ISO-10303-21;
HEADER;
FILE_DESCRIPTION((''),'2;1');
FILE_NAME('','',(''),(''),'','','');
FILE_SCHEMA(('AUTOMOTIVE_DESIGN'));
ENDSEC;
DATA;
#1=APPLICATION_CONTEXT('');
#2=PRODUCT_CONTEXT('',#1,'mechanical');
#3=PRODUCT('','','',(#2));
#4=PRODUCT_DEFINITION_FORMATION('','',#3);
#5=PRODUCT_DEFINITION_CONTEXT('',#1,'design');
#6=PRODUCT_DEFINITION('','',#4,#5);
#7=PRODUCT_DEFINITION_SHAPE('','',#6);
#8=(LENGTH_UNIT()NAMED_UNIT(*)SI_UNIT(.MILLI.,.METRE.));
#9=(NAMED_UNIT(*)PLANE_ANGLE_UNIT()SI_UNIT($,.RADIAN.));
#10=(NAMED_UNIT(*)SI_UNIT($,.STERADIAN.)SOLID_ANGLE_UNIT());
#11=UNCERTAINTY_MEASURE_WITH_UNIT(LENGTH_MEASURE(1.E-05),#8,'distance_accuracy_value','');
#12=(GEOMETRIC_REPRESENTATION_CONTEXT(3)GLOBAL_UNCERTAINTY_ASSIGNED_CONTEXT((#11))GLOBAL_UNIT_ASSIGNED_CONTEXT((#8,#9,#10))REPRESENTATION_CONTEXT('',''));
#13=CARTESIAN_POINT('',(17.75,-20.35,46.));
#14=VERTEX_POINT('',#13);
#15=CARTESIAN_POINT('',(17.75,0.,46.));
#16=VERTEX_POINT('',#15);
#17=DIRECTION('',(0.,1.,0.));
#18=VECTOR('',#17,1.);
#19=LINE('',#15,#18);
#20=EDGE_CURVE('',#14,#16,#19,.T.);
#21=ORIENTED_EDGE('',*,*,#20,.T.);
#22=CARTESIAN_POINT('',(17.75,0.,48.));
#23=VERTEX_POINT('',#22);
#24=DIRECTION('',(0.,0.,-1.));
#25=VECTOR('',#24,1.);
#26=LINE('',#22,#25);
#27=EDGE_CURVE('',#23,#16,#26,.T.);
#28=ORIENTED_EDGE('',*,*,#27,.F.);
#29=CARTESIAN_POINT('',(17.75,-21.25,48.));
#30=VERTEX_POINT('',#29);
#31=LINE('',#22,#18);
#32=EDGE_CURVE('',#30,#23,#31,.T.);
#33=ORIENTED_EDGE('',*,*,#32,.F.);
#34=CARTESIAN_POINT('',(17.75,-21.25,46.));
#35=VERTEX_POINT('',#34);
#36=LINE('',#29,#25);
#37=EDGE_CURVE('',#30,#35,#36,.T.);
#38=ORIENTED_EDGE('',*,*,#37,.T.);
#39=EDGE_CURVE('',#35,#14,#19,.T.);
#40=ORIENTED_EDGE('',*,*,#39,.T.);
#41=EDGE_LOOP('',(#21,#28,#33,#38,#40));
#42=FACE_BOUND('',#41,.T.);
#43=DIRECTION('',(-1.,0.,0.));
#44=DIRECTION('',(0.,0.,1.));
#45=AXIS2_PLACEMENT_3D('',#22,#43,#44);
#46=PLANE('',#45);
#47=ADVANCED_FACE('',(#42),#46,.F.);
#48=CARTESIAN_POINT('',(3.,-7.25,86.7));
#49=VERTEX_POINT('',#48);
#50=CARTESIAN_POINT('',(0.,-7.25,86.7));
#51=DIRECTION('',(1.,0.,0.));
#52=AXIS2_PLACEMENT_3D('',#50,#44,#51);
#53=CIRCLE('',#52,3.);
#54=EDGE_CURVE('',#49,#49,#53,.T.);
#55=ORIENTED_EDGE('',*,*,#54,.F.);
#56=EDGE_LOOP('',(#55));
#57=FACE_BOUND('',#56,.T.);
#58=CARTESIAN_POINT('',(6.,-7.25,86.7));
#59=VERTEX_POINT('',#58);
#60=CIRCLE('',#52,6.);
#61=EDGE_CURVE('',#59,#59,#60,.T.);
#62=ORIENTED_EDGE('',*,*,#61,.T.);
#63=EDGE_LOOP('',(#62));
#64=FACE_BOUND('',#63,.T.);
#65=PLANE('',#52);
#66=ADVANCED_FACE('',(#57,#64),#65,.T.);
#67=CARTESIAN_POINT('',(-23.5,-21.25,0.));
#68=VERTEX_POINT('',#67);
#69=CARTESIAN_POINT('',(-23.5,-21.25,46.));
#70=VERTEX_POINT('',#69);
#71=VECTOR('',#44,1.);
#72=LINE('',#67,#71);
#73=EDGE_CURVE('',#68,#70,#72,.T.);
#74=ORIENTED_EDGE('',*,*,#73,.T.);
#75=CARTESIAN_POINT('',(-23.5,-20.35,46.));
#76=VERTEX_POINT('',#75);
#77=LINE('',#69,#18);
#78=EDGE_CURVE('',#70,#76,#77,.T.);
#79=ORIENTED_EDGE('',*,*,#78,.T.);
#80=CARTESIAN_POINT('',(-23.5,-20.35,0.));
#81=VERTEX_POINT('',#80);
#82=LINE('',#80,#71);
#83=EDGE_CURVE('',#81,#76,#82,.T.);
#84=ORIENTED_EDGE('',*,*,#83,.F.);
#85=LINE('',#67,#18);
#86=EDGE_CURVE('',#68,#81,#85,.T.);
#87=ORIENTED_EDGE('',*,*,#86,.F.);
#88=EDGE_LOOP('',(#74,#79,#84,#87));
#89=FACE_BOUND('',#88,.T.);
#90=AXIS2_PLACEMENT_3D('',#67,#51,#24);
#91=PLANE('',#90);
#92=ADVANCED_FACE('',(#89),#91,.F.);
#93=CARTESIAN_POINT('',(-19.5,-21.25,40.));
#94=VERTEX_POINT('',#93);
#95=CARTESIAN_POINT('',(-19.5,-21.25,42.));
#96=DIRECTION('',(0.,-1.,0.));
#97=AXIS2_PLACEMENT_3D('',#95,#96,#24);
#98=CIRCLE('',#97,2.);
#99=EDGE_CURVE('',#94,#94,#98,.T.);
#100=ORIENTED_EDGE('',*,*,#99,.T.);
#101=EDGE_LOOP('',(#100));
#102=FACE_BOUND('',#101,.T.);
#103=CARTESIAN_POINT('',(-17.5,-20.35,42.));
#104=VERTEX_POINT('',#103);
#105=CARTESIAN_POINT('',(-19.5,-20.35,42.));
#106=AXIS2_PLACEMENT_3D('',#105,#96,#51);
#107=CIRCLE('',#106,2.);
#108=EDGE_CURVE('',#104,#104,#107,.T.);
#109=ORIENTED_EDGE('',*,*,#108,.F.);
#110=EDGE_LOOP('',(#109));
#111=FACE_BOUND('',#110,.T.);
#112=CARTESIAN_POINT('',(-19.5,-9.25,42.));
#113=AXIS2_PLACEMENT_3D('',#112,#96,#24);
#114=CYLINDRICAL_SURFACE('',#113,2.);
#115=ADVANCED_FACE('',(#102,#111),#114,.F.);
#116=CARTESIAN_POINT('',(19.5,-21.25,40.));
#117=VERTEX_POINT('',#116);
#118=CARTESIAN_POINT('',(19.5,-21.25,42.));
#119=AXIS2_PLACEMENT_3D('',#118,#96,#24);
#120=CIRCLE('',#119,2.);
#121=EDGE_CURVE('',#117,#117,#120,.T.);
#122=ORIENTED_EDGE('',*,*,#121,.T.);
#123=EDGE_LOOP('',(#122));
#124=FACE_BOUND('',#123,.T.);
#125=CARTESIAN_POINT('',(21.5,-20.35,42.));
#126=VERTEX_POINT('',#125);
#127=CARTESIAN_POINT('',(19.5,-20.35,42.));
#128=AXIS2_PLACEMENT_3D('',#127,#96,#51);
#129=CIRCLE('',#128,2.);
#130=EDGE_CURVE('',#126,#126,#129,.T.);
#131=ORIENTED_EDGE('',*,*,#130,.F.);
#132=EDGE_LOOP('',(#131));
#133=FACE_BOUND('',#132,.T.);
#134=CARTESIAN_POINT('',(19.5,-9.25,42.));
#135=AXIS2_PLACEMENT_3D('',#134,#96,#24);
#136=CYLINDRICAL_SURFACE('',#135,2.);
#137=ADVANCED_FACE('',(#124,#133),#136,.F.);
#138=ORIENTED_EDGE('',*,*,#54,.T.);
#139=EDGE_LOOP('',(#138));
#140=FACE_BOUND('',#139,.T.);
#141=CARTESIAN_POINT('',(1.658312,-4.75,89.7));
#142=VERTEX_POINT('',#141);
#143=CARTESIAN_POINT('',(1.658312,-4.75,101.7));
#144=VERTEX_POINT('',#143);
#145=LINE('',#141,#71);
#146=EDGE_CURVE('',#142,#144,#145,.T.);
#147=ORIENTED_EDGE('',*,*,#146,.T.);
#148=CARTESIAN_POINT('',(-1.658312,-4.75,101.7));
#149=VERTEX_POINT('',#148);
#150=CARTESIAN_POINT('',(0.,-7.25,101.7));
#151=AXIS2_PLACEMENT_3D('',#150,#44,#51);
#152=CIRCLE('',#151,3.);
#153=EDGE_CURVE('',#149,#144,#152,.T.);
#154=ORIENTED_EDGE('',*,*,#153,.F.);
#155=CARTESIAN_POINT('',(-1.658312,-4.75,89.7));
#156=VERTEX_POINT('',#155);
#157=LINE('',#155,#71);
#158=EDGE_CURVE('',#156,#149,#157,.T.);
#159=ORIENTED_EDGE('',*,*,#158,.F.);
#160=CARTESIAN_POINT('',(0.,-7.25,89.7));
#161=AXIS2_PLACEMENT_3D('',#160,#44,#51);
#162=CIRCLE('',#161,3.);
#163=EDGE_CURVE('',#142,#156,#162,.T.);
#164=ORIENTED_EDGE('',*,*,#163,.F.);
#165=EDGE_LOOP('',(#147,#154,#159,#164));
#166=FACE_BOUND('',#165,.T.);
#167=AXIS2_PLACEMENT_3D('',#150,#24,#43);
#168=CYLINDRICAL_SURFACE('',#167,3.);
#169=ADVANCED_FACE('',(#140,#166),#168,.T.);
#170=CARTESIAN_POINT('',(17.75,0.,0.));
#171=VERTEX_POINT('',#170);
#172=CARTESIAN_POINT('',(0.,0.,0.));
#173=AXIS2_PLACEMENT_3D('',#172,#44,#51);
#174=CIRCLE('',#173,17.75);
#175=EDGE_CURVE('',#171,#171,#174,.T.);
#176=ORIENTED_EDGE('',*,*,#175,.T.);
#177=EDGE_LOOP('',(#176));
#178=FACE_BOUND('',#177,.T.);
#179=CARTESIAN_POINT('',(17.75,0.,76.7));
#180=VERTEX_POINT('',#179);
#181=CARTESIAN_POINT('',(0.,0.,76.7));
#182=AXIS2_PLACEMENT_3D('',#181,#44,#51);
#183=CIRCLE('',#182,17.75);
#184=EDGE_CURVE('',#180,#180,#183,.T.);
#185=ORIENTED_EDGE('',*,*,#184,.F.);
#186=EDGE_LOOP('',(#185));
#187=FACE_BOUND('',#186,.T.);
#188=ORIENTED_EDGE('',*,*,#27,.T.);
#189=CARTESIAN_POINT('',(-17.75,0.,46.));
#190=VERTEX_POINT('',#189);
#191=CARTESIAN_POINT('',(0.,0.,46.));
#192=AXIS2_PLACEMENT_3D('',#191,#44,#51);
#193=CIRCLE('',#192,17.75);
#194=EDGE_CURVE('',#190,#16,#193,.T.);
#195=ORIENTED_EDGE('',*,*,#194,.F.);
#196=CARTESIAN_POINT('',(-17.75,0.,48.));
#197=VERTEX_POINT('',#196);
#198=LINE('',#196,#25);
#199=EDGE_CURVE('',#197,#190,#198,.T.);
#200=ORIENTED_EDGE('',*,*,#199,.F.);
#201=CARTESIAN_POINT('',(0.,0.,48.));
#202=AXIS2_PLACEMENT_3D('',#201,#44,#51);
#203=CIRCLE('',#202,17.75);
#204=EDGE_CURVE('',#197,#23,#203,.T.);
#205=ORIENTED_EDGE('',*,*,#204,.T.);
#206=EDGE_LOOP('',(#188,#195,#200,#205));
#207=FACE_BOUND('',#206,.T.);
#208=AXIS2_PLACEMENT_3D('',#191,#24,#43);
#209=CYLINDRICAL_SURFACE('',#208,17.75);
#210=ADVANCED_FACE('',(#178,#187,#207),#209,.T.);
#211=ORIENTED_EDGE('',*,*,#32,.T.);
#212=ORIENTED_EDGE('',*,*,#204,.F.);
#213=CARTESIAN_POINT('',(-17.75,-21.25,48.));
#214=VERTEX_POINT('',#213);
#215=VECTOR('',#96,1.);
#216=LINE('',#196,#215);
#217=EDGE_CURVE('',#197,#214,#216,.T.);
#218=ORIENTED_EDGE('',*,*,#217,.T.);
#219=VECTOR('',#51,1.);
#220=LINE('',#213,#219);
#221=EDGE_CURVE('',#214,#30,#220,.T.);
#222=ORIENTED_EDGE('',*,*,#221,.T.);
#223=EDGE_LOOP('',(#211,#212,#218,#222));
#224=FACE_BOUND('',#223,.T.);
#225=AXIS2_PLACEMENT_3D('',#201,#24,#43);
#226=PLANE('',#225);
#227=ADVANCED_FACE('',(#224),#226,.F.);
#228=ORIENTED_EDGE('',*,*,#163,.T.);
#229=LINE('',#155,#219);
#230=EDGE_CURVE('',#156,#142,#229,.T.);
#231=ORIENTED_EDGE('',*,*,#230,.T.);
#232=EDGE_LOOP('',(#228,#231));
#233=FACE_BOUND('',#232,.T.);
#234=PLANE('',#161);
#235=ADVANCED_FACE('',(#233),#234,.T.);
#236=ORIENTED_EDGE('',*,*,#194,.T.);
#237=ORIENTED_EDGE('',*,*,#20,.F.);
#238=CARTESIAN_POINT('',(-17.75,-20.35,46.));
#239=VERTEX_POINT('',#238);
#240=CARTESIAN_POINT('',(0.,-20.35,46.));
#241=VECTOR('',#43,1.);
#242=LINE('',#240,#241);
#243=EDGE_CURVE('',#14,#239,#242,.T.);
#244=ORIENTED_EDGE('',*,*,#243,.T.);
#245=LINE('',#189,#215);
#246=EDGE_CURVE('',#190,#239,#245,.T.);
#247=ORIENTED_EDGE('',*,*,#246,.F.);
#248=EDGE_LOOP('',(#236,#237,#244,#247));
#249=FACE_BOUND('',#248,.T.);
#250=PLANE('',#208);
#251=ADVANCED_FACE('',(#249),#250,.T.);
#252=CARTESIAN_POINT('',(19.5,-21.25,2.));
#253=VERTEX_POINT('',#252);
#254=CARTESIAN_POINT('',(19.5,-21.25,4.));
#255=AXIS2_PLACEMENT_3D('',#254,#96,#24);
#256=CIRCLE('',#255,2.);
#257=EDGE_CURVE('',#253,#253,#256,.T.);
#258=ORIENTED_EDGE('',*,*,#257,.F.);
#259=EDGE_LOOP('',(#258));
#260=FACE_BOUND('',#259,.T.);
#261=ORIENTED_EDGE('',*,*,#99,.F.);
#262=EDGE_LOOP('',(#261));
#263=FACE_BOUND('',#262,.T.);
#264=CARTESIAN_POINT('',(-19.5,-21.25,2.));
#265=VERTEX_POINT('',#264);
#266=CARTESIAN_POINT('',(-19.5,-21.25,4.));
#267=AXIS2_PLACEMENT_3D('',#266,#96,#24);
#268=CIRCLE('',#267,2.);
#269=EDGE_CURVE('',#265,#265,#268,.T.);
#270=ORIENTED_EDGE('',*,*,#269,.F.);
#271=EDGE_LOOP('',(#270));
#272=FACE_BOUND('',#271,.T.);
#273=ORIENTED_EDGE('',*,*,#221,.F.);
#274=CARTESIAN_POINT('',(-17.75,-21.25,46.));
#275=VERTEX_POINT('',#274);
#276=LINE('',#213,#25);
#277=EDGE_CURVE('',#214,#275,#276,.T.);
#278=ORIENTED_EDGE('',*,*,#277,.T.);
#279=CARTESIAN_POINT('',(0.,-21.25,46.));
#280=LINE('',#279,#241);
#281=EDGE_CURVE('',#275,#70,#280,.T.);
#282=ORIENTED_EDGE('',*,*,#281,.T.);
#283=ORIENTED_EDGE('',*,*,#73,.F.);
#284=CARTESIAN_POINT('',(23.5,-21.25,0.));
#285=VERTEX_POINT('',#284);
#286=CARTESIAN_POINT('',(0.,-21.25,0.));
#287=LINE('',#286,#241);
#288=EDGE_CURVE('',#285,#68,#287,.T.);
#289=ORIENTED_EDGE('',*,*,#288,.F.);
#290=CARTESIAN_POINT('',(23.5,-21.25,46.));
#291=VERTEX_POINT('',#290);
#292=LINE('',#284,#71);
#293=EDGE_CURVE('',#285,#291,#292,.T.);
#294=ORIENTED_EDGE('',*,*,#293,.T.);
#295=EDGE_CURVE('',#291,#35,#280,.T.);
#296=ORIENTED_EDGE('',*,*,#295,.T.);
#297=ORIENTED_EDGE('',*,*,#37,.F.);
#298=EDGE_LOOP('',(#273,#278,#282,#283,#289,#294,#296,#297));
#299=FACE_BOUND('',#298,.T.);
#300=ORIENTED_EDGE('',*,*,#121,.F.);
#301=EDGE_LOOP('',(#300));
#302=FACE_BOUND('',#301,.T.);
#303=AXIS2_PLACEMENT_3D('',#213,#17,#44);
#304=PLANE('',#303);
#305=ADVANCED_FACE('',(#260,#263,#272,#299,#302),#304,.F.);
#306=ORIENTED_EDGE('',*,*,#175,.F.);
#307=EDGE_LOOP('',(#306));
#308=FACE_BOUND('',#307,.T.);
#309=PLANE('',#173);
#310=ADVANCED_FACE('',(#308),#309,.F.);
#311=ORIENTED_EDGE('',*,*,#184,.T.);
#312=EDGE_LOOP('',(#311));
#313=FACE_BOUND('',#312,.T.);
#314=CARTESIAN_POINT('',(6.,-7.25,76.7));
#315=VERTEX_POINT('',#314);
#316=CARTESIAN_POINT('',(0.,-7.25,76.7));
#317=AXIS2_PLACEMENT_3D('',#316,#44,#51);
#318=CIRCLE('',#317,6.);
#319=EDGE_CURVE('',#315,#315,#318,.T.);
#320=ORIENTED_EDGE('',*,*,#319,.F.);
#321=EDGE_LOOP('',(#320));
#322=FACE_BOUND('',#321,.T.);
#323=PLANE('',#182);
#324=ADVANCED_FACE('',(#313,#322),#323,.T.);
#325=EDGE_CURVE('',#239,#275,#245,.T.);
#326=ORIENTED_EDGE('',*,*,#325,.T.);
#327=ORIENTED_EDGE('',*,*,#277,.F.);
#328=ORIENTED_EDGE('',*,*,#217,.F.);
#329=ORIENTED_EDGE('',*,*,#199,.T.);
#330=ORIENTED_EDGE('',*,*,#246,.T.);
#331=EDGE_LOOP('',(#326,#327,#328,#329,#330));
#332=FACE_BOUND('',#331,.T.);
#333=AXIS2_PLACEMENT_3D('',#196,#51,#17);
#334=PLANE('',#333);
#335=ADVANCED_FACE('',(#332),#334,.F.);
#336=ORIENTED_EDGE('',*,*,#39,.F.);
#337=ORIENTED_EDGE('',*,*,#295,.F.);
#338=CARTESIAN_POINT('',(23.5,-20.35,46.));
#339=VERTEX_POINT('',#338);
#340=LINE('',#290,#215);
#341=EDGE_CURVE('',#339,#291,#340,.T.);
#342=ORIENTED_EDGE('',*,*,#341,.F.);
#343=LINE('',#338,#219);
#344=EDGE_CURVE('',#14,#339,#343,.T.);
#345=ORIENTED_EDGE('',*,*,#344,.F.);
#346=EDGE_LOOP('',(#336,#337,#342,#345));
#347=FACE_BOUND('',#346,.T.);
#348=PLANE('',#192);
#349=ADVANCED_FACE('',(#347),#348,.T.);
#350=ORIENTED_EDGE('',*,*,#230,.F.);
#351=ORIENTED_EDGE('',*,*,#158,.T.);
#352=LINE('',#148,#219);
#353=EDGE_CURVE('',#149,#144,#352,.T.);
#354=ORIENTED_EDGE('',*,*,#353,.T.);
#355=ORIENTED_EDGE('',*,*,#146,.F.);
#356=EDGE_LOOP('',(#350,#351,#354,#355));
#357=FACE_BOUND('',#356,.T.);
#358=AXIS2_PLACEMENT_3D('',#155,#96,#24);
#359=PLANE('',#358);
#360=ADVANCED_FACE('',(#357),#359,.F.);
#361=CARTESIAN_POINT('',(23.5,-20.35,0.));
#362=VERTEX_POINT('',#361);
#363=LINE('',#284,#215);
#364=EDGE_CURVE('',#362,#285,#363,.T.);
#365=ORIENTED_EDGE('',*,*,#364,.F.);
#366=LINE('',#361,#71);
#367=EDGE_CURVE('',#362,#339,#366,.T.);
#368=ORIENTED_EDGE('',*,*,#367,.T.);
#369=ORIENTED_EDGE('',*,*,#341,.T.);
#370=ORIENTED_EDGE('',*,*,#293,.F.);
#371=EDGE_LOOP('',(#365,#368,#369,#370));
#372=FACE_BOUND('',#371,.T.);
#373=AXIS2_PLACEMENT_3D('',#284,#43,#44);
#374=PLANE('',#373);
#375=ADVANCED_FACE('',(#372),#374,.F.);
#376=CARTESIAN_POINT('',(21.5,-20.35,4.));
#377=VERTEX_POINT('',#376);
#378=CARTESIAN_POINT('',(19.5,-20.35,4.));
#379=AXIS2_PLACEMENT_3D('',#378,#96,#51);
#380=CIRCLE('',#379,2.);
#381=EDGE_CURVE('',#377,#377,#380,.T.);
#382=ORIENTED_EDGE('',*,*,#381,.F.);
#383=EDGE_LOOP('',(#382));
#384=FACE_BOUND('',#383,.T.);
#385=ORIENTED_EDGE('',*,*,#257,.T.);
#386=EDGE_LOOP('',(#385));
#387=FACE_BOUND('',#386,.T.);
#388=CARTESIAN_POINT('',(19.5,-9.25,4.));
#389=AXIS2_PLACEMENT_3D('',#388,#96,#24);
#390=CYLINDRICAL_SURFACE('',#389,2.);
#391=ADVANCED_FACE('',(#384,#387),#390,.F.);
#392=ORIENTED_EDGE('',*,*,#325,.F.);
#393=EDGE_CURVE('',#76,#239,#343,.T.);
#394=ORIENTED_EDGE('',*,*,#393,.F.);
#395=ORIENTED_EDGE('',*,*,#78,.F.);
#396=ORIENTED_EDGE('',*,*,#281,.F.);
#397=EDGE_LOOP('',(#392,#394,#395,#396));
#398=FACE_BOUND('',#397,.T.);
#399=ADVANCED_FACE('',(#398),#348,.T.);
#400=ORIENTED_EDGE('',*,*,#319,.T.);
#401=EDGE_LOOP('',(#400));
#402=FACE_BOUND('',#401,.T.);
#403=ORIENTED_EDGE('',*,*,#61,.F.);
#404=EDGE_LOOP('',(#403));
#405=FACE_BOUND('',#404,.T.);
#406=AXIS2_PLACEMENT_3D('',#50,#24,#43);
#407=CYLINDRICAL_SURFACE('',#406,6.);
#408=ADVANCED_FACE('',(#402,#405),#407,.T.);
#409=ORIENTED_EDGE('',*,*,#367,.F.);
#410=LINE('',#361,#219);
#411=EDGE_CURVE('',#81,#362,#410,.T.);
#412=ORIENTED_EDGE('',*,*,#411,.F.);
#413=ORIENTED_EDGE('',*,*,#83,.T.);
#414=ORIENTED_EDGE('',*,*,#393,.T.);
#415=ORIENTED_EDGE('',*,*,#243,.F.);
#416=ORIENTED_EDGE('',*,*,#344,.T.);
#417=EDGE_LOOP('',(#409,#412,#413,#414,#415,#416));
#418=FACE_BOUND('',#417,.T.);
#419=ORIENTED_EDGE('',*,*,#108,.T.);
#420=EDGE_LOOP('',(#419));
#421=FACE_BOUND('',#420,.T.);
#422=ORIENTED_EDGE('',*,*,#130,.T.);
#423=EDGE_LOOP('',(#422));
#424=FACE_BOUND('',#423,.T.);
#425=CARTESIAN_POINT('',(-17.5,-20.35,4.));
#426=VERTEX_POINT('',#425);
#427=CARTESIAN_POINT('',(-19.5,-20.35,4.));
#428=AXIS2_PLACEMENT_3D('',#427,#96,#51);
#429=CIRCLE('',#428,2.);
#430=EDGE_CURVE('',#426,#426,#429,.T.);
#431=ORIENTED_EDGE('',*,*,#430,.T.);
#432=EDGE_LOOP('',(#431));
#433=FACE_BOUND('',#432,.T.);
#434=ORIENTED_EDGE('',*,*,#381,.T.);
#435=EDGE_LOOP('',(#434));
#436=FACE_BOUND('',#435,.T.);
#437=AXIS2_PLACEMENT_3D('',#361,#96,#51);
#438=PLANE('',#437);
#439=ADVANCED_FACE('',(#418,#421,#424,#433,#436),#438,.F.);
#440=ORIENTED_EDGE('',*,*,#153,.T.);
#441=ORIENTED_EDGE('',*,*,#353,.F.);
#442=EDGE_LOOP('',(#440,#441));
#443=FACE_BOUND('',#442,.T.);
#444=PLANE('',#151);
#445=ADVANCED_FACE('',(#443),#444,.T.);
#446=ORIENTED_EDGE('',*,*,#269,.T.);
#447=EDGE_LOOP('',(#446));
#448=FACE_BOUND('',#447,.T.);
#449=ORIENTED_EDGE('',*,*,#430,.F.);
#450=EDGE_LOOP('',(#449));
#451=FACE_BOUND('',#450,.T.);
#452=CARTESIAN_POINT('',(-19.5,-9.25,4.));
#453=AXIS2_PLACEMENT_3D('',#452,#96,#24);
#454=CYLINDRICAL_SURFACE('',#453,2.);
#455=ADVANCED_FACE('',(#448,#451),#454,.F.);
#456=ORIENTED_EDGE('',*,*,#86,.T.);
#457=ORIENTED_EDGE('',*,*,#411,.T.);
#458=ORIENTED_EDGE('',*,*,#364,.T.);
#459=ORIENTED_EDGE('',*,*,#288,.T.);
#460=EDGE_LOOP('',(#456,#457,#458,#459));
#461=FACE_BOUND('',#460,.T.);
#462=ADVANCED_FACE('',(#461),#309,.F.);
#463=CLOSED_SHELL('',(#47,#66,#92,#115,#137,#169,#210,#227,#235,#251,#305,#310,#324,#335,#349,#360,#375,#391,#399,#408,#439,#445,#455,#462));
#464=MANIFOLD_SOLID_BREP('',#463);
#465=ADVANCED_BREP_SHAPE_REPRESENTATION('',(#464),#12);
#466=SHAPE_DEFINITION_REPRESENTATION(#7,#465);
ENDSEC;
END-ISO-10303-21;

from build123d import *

# Parameters (mm, degrees)
SKETCH1_R           = 17.75
BOSS_EXTRUDE1_DEPTH = 46
BOSS_EXTRUDE2_DEPTH = 2
BOSS_EXTRUDE3_DEPTH = 46
SKETCH4_R           = 17.75
BOSS_EXTRUDE4_DEPTH = 28.7
SKETCH5_R           = 6
BOSS_EXTRUDE5_DEPTH = 10
SKETCH6_R           = 3
BOSS_EXTRUDE6_DEPTH = 15
CUT_EXTRUDE1_START  = -12
CUT_EXTRUDE1_DEPTH  = 12
SKETCH8_R           = 2
CUT_EXTRUDE7_DEPTH  = 12


with BuildPart() as part:
    # Sketch1 → Boss-Extrude1 (new body)
    with BuildSketch(Plane.XY):
        Circle(SKETCH1_R)
    extrude(amount=BOSS_EXTRUDE1_DEPTH)

    # Sketch2 → Boss-Extrude2 (add)
    with BuildSketch(Plane.XY.offset(46)):
        with BuildLine():
            Line((-17.75, -21.25), (17.75, -21.25))
            Line((17.75, -21.25), (17.75, 0))
            ThreePointArc((17.75, 0), (0, 17.75), (-17.75, 0))
            Line((-17.75, 0), (-17.75, -21.25))
        make_face()
    extrude(amount=BOSS_EXTRUDE2_DEPTH)

    # Sketch3 → Boss-Extrude3 (add)
    with BuildSketch(Plane(origin=(0, 0, 46), x_dir=(-1, 0, 0), z_dir=(0, 0, -1))):
        Polygon((0, -21.25), (23.5, -21.25), (23.5, -20.35), (-23.5, -20.35), (-23.5, -21.25), align=None)
    extrude(amount=BOSS_EXTRUDE3_DEPTH)

    # Sketch4 → Boss-Extrude4 (add)
    with BuildSketch(Plane.XY.offset(48)):
        Circle(SKETCH4_R)
    extrude(amount=BOSS_EXTRUDE4_DEPTH)

    # Sketch5 → Boss-Extrude5 (add)
    with BuildSketch(Plane.XY.offset(76.7)):
        with Locations((0, -7.25)):
            Circle(SKETCH5_R)
    extrude(amount=BOSS_EXTRUDE5_DEPTH)

    # Sketch6 → Boss-Extrude6 (add)
    with BuildSketch(Plane.XY.offset(86.7)):
        with Locations((0, -7.25)):
            Circle(SKETCH6_R)
    extrude(amount=BOSS_EXTRUDE6_DEPTH)

    # Sketch7 → Cut-Extrude1 (cut)
    with BuildSketch(Plane.XY.offset(101.7).offset(CUT_EXTRUDE1_START)):
        with BuildLine():
            Line((-1.658312395, -4.75), (1.658312395, -4.75))
            ThreePointArc((1.658312395, -4.75), (0, -4.25), (-1.658312395, -4.75))
        make_face()
    extrude(amount=CUT_EXTRUDE1_DEPTH, mode=Mode.SUBTRACT)

    # Sketch8 → Cut-Extrude7 (cut)
    with BuildSketch(Plane(origin=(0, -21.25, 0), x_dir=(-1, 0, 0), z_dir=(0, -1, 0))):
        with Locations(Location((19.5, -42, 0), (0, 0, 90))):
            Circle(SKETCH8_R)
        with Locations(Location((-19.5, -42, 0), (0, 0, 90))):
            Circle(SKETCH8_R)
        with Locations(Location((19.5, -4, 0), (0, 0, 90))):
            Circle(SKETCH8_R)
        with Locations(Location((-19.5, -4, 0), (0, 0, 90))):
            Circle(SKETCH8_R)
    extrude(amount=-CUT_EXTRUDE7_DEPTH, mode=Mode.SUBTRACT)


solid = part.part
